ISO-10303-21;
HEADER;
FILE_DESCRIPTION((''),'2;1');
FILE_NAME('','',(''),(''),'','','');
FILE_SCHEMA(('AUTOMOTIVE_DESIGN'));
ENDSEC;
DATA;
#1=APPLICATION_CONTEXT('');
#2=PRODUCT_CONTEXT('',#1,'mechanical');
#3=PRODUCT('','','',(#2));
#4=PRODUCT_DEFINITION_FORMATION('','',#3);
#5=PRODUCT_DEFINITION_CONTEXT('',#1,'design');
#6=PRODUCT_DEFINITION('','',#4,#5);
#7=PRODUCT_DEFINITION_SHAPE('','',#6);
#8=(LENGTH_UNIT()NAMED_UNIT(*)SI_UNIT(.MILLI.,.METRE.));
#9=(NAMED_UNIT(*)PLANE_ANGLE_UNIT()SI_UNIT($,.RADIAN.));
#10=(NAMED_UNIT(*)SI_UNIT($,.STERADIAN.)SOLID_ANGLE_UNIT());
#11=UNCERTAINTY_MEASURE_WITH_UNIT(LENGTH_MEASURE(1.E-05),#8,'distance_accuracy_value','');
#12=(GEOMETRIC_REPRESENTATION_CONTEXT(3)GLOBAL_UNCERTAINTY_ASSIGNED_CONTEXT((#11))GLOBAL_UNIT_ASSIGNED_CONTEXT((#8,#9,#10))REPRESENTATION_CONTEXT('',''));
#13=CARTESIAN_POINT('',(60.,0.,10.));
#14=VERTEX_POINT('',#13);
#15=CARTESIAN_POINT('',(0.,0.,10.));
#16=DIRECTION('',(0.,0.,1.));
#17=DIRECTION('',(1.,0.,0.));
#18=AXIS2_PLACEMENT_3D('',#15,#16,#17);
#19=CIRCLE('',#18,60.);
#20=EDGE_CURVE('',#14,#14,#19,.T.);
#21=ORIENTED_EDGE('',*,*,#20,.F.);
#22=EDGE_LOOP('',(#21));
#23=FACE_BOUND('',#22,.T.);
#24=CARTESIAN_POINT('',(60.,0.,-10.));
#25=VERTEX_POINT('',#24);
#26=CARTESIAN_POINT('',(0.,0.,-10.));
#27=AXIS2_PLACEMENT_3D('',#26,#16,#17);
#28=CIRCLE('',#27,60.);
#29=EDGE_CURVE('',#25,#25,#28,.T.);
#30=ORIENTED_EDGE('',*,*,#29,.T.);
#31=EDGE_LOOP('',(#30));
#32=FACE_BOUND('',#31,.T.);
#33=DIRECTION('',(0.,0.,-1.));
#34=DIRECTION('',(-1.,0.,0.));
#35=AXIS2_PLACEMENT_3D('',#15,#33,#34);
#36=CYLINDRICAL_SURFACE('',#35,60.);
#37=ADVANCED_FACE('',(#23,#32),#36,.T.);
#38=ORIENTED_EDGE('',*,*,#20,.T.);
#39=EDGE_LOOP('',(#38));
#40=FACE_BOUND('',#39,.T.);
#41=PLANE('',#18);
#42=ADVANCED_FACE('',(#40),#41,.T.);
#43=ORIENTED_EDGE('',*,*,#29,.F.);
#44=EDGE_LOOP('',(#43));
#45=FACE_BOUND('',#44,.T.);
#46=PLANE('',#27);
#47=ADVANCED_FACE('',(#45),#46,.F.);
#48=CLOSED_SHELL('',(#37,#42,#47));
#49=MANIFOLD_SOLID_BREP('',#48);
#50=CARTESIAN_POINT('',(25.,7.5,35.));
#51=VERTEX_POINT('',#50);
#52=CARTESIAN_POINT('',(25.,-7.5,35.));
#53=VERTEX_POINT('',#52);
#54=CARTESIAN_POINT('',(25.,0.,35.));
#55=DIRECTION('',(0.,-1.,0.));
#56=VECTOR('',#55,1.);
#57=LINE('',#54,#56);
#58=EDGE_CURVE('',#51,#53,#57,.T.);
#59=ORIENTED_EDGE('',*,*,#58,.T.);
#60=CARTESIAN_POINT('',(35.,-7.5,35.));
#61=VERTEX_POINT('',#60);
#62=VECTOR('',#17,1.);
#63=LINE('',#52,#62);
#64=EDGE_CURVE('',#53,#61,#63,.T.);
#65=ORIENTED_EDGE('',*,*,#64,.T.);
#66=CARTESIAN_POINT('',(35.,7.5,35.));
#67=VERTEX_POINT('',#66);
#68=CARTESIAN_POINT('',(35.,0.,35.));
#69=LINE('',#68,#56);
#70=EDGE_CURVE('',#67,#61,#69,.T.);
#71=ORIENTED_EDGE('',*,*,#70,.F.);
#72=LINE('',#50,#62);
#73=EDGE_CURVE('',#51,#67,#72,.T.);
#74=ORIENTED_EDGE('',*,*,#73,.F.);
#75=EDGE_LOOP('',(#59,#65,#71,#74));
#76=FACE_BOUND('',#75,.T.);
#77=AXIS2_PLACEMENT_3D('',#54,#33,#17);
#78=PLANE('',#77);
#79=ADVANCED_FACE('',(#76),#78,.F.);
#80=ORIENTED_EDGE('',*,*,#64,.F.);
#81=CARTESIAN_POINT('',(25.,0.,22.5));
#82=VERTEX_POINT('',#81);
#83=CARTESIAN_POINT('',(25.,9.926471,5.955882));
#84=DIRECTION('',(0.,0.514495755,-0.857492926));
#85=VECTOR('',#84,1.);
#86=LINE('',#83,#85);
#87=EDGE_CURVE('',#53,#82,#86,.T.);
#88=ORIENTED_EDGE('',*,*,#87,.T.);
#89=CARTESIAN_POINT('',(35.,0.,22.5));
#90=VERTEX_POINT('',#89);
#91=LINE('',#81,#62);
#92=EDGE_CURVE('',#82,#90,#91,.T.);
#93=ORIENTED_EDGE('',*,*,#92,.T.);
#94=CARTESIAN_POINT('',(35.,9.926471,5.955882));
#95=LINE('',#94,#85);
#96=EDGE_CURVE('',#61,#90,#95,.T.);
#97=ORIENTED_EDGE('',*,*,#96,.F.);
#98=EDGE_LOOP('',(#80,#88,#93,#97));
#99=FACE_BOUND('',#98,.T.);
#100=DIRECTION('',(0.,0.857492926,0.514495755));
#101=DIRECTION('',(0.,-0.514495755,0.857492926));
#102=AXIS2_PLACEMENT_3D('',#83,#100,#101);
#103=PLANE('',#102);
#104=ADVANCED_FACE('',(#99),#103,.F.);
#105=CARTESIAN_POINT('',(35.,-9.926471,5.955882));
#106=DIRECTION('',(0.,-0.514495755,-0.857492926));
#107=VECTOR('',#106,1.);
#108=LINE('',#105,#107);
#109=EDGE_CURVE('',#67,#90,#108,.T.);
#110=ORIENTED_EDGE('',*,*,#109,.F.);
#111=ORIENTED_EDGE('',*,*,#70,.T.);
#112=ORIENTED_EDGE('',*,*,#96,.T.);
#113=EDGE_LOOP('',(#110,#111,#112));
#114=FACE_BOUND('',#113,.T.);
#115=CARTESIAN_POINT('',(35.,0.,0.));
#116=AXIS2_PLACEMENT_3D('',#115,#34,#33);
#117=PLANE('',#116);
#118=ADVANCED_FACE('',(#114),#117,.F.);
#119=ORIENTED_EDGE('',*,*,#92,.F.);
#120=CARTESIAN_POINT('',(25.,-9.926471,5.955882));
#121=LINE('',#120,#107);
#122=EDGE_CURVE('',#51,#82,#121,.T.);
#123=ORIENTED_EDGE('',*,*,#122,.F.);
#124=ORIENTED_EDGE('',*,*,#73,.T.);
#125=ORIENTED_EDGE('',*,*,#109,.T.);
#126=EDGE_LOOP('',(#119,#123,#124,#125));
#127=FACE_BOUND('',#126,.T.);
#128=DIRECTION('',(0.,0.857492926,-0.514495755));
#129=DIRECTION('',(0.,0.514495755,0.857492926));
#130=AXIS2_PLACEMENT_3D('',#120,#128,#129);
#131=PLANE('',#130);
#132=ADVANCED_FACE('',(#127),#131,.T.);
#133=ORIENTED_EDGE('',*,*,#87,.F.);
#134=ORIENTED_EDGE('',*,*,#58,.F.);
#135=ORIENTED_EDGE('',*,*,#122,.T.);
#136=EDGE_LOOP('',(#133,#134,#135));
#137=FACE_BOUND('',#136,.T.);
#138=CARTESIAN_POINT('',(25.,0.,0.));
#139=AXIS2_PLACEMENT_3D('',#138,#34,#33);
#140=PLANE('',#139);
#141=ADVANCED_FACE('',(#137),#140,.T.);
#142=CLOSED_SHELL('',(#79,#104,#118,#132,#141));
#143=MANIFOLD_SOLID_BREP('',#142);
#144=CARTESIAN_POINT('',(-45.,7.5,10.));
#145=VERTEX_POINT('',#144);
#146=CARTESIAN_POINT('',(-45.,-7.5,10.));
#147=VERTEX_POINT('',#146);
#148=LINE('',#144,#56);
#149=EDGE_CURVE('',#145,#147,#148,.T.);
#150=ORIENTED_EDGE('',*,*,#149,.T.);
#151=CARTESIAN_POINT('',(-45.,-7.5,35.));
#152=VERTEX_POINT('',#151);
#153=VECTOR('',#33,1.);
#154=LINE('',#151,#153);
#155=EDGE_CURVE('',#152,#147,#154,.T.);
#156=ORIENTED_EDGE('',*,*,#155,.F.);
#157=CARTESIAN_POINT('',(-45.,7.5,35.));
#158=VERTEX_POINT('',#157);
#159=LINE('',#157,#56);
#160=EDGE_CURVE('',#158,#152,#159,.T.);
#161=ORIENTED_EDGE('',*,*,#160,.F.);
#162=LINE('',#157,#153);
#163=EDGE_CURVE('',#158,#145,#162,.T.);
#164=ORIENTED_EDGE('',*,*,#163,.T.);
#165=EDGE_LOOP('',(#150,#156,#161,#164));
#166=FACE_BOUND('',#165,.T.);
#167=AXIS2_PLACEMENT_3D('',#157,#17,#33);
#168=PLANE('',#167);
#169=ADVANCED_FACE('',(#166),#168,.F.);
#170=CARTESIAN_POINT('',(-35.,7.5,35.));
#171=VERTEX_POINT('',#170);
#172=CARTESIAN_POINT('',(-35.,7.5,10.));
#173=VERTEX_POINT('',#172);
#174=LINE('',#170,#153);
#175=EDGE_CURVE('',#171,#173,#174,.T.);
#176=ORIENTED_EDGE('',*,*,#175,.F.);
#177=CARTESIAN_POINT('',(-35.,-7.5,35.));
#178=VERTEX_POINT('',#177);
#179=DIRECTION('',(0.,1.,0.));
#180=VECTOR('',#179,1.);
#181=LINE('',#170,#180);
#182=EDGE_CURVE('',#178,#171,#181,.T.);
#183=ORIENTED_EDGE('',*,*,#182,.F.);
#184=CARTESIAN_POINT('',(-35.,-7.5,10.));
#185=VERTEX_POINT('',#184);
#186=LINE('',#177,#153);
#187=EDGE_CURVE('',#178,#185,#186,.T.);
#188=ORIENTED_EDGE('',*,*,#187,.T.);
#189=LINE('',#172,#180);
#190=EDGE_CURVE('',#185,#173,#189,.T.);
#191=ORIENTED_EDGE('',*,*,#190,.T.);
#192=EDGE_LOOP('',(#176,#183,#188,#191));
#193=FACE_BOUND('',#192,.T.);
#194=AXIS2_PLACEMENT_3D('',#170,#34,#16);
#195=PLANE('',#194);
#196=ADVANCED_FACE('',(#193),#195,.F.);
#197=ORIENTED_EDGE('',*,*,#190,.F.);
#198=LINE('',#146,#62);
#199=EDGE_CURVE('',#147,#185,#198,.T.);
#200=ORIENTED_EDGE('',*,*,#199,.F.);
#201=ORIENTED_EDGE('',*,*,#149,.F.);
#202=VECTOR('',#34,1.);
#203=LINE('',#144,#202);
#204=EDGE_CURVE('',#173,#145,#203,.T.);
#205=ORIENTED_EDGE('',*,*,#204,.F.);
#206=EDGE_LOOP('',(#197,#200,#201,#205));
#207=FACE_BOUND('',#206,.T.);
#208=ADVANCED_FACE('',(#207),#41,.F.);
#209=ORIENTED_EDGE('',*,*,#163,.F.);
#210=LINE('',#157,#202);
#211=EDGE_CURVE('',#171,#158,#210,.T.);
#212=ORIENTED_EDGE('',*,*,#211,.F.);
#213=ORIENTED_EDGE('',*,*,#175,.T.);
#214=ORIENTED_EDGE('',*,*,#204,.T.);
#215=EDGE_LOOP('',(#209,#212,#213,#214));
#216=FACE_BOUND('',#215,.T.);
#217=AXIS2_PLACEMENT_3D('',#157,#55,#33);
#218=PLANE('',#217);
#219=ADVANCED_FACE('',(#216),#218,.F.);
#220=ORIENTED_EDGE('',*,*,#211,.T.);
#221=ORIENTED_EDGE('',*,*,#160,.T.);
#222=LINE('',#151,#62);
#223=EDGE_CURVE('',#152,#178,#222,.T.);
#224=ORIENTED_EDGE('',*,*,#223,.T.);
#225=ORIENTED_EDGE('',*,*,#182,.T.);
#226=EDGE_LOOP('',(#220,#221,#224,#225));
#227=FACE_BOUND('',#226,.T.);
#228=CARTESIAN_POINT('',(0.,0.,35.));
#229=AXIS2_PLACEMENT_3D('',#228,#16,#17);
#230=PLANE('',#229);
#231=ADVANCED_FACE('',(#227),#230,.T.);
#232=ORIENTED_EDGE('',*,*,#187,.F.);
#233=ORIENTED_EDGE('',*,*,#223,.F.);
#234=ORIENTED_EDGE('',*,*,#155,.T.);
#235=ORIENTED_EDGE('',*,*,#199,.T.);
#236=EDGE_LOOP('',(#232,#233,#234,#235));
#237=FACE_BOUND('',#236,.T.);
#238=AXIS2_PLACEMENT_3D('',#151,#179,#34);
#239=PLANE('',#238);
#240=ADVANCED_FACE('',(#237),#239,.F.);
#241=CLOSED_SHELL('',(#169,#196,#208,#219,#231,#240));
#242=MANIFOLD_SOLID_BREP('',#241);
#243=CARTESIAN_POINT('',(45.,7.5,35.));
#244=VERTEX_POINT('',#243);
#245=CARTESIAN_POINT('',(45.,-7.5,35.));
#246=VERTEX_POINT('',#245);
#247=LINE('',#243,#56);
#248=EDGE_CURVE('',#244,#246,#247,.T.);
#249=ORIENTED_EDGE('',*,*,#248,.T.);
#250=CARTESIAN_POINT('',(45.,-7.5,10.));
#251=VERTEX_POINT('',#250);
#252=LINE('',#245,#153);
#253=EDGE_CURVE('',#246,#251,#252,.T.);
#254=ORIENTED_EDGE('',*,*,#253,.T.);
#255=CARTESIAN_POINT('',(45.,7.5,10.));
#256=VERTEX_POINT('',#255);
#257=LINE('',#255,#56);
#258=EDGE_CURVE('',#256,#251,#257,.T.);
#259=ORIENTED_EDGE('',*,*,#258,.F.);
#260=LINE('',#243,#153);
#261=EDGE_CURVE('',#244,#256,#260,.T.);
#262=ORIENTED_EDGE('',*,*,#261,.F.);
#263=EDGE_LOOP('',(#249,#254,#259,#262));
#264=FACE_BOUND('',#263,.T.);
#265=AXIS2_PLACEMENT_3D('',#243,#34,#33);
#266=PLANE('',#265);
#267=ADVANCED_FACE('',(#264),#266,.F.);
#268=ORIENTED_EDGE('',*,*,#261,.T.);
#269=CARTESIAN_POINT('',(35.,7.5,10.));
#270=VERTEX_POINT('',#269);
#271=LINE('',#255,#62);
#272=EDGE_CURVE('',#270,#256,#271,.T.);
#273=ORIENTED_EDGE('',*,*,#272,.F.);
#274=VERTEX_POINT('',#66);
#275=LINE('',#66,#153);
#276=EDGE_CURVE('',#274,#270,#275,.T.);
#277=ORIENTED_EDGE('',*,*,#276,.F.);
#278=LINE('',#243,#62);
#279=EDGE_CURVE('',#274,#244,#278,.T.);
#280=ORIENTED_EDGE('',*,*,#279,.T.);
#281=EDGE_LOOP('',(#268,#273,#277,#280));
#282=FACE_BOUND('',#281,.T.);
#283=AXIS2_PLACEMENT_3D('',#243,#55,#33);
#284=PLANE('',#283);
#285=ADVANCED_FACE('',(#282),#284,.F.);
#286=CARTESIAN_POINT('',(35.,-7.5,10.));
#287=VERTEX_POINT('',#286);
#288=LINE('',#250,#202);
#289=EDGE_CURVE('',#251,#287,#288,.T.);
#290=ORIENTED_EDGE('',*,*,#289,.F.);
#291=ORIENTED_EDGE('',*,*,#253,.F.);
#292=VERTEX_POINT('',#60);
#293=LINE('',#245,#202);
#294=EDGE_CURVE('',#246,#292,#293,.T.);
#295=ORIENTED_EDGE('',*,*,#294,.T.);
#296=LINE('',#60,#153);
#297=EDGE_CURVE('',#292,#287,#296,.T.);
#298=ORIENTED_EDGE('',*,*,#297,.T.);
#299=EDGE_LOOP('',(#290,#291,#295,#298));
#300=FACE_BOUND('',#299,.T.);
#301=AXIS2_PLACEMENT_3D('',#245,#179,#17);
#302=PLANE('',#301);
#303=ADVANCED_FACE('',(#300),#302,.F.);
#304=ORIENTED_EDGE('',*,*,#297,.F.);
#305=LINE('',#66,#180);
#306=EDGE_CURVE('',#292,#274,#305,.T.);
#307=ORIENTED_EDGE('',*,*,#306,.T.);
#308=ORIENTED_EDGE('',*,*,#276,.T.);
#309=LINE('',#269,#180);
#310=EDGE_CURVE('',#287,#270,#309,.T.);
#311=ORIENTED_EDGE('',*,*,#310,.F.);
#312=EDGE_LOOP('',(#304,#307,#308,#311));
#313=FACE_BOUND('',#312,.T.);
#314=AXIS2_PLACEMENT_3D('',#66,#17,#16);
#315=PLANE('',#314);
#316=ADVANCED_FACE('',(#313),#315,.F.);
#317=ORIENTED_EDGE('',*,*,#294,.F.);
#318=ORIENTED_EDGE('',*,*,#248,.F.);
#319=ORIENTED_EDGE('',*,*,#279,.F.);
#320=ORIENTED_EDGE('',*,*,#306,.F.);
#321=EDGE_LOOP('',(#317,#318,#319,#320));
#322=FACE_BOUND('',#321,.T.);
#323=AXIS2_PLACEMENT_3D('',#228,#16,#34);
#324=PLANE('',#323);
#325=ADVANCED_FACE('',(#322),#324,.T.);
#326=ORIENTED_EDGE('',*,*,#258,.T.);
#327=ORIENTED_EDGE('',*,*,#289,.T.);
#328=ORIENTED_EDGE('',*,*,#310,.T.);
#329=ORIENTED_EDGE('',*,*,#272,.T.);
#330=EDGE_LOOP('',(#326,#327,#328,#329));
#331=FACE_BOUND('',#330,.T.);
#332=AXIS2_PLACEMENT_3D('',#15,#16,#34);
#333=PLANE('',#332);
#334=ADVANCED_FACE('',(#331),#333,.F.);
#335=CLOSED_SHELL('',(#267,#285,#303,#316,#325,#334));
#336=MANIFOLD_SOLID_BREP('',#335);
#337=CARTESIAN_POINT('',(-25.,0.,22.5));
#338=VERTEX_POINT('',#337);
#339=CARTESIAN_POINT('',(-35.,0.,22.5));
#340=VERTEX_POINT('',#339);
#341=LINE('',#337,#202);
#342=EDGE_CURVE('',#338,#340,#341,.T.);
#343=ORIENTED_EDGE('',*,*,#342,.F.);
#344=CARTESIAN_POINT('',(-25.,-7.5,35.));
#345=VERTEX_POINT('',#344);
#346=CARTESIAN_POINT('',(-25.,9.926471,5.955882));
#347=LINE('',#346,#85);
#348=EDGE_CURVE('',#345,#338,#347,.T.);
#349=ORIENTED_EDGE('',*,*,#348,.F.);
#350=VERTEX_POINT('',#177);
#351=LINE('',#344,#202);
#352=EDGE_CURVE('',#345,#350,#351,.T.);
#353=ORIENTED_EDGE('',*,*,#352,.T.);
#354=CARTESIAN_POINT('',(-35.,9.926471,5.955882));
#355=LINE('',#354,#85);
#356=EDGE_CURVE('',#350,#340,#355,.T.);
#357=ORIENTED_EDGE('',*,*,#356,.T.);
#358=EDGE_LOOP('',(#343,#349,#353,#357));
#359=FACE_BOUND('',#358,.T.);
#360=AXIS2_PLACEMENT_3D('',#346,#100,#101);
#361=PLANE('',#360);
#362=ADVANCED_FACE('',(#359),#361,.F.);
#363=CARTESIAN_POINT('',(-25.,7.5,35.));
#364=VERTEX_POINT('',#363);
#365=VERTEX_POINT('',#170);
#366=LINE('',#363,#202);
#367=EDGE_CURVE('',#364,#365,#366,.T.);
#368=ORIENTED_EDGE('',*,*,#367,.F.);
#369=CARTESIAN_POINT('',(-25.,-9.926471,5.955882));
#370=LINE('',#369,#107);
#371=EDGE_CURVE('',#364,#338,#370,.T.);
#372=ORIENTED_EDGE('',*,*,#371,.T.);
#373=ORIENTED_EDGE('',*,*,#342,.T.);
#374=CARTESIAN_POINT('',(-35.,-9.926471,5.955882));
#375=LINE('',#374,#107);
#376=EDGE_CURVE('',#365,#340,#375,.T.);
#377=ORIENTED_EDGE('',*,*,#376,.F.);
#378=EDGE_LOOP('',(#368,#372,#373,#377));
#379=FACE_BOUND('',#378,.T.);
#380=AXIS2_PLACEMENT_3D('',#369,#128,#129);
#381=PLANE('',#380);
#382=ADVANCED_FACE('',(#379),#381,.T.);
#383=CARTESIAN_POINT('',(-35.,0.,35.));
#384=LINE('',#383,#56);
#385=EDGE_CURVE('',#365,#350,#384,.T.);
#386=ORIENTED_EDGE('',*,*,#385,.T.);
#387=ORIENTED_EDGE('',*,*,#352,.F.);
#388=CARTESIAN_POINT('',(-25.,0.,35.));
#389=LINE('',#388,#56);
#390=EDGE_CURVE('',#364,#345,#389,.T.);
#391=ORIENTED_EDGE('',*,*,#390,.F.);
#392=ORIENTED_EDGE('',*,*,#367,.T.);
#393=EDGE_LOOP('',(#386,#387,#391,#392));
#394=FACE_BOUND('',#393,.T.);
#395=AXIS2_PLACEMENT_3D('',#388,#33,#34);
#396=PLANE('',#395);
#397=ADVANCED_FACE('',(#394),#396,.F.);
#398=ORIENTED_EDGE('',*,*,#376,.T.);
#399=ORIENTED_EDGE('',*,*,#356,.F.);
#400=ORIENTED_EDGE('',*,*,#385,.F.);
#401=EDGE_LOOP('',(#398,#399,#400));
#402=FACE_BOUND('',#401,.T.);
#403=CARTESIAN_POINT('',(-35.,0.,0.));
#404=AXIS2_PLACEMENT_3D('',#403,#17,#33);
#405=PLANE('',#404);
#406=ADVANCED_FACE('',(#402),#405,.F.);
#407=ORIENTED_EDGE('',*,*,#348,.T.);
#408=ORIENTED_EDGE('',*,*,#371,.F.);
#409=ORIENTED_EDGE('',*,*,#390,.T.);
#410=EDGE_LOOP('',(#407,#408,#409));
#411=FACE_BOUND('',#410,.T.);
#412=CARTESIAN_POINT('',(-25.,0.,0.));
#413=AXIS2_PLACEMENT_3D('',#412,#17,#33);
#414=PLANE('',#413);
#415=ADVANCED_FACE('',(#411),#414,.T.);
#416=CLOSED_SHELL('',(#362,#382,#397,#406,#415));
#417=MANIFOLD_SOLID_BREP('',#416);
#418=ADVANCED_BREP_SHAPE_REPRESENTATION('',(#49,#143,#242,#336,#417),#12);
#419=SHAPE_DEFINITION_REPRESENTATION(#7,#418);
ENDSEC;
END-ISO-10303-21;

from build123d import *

# Parameters (mm, degrees)
SKETCH_1_R      = 60
EXTRUDE_1_DEPTH = 10
SKETCH_2_W      = 10
SKETCH_2_H      = 15
EXTRUDE_2_DEPTH = 25
EXTRUDE_3_DEPTH = 10


with BuildPart() as part:
    # 草图1 → 凸台-拉伸1 (new, symmetric)
    with BuildSketch(Plane.XY):
        Circle(SKETCH_1_R)
    extrude(amount=EXTRUDE_1_DEPTH, both=True)


with BuildPart() as body_2:
    # 草图2 → 凸台-拉伸2 (new body)
    with BuildSketch(Plane.XY.offset(10)):
        with Locations((-40, 0)):
            Rectangle(SKETCH_2_W, SKETCH_2_H)
    extrude(amount=EXTRUDE_2_DEPTH)


with BuildPart() as body_3:
    # 草图4 → 凸台-拉伸3 (new body)
    with BuildSketch(Plane(origin=(-35, 0, 0), x_dir=(0, 0, -1), z_dir=(1, 0, 0))):
        Polygon((-35, 7.5), (-22.5, 0), (-35, -7.5), align=None)
    extrude(amount=EXTRUDE_3_DEPTH)


with BuildPart() as body_4:
    # 镜向1: mirrored copy
    add(body_3.part.mirror(Plane(origin=(0, 0, 0), x_dir=(0, 0, 1), z_dir=(1, 0, 0))))


with BuildPart() as body_5:
    # Mirror 1 2: mirrored copy
    add(body_2.part.mirror(Plane(origin=(0, 0, 0), x_dir=(0, 0, 1), z_dir=(1, 0, 0))))


solid = Compound([part.part, body_2.part, body_3.part, body_4.part, body_5.part])
